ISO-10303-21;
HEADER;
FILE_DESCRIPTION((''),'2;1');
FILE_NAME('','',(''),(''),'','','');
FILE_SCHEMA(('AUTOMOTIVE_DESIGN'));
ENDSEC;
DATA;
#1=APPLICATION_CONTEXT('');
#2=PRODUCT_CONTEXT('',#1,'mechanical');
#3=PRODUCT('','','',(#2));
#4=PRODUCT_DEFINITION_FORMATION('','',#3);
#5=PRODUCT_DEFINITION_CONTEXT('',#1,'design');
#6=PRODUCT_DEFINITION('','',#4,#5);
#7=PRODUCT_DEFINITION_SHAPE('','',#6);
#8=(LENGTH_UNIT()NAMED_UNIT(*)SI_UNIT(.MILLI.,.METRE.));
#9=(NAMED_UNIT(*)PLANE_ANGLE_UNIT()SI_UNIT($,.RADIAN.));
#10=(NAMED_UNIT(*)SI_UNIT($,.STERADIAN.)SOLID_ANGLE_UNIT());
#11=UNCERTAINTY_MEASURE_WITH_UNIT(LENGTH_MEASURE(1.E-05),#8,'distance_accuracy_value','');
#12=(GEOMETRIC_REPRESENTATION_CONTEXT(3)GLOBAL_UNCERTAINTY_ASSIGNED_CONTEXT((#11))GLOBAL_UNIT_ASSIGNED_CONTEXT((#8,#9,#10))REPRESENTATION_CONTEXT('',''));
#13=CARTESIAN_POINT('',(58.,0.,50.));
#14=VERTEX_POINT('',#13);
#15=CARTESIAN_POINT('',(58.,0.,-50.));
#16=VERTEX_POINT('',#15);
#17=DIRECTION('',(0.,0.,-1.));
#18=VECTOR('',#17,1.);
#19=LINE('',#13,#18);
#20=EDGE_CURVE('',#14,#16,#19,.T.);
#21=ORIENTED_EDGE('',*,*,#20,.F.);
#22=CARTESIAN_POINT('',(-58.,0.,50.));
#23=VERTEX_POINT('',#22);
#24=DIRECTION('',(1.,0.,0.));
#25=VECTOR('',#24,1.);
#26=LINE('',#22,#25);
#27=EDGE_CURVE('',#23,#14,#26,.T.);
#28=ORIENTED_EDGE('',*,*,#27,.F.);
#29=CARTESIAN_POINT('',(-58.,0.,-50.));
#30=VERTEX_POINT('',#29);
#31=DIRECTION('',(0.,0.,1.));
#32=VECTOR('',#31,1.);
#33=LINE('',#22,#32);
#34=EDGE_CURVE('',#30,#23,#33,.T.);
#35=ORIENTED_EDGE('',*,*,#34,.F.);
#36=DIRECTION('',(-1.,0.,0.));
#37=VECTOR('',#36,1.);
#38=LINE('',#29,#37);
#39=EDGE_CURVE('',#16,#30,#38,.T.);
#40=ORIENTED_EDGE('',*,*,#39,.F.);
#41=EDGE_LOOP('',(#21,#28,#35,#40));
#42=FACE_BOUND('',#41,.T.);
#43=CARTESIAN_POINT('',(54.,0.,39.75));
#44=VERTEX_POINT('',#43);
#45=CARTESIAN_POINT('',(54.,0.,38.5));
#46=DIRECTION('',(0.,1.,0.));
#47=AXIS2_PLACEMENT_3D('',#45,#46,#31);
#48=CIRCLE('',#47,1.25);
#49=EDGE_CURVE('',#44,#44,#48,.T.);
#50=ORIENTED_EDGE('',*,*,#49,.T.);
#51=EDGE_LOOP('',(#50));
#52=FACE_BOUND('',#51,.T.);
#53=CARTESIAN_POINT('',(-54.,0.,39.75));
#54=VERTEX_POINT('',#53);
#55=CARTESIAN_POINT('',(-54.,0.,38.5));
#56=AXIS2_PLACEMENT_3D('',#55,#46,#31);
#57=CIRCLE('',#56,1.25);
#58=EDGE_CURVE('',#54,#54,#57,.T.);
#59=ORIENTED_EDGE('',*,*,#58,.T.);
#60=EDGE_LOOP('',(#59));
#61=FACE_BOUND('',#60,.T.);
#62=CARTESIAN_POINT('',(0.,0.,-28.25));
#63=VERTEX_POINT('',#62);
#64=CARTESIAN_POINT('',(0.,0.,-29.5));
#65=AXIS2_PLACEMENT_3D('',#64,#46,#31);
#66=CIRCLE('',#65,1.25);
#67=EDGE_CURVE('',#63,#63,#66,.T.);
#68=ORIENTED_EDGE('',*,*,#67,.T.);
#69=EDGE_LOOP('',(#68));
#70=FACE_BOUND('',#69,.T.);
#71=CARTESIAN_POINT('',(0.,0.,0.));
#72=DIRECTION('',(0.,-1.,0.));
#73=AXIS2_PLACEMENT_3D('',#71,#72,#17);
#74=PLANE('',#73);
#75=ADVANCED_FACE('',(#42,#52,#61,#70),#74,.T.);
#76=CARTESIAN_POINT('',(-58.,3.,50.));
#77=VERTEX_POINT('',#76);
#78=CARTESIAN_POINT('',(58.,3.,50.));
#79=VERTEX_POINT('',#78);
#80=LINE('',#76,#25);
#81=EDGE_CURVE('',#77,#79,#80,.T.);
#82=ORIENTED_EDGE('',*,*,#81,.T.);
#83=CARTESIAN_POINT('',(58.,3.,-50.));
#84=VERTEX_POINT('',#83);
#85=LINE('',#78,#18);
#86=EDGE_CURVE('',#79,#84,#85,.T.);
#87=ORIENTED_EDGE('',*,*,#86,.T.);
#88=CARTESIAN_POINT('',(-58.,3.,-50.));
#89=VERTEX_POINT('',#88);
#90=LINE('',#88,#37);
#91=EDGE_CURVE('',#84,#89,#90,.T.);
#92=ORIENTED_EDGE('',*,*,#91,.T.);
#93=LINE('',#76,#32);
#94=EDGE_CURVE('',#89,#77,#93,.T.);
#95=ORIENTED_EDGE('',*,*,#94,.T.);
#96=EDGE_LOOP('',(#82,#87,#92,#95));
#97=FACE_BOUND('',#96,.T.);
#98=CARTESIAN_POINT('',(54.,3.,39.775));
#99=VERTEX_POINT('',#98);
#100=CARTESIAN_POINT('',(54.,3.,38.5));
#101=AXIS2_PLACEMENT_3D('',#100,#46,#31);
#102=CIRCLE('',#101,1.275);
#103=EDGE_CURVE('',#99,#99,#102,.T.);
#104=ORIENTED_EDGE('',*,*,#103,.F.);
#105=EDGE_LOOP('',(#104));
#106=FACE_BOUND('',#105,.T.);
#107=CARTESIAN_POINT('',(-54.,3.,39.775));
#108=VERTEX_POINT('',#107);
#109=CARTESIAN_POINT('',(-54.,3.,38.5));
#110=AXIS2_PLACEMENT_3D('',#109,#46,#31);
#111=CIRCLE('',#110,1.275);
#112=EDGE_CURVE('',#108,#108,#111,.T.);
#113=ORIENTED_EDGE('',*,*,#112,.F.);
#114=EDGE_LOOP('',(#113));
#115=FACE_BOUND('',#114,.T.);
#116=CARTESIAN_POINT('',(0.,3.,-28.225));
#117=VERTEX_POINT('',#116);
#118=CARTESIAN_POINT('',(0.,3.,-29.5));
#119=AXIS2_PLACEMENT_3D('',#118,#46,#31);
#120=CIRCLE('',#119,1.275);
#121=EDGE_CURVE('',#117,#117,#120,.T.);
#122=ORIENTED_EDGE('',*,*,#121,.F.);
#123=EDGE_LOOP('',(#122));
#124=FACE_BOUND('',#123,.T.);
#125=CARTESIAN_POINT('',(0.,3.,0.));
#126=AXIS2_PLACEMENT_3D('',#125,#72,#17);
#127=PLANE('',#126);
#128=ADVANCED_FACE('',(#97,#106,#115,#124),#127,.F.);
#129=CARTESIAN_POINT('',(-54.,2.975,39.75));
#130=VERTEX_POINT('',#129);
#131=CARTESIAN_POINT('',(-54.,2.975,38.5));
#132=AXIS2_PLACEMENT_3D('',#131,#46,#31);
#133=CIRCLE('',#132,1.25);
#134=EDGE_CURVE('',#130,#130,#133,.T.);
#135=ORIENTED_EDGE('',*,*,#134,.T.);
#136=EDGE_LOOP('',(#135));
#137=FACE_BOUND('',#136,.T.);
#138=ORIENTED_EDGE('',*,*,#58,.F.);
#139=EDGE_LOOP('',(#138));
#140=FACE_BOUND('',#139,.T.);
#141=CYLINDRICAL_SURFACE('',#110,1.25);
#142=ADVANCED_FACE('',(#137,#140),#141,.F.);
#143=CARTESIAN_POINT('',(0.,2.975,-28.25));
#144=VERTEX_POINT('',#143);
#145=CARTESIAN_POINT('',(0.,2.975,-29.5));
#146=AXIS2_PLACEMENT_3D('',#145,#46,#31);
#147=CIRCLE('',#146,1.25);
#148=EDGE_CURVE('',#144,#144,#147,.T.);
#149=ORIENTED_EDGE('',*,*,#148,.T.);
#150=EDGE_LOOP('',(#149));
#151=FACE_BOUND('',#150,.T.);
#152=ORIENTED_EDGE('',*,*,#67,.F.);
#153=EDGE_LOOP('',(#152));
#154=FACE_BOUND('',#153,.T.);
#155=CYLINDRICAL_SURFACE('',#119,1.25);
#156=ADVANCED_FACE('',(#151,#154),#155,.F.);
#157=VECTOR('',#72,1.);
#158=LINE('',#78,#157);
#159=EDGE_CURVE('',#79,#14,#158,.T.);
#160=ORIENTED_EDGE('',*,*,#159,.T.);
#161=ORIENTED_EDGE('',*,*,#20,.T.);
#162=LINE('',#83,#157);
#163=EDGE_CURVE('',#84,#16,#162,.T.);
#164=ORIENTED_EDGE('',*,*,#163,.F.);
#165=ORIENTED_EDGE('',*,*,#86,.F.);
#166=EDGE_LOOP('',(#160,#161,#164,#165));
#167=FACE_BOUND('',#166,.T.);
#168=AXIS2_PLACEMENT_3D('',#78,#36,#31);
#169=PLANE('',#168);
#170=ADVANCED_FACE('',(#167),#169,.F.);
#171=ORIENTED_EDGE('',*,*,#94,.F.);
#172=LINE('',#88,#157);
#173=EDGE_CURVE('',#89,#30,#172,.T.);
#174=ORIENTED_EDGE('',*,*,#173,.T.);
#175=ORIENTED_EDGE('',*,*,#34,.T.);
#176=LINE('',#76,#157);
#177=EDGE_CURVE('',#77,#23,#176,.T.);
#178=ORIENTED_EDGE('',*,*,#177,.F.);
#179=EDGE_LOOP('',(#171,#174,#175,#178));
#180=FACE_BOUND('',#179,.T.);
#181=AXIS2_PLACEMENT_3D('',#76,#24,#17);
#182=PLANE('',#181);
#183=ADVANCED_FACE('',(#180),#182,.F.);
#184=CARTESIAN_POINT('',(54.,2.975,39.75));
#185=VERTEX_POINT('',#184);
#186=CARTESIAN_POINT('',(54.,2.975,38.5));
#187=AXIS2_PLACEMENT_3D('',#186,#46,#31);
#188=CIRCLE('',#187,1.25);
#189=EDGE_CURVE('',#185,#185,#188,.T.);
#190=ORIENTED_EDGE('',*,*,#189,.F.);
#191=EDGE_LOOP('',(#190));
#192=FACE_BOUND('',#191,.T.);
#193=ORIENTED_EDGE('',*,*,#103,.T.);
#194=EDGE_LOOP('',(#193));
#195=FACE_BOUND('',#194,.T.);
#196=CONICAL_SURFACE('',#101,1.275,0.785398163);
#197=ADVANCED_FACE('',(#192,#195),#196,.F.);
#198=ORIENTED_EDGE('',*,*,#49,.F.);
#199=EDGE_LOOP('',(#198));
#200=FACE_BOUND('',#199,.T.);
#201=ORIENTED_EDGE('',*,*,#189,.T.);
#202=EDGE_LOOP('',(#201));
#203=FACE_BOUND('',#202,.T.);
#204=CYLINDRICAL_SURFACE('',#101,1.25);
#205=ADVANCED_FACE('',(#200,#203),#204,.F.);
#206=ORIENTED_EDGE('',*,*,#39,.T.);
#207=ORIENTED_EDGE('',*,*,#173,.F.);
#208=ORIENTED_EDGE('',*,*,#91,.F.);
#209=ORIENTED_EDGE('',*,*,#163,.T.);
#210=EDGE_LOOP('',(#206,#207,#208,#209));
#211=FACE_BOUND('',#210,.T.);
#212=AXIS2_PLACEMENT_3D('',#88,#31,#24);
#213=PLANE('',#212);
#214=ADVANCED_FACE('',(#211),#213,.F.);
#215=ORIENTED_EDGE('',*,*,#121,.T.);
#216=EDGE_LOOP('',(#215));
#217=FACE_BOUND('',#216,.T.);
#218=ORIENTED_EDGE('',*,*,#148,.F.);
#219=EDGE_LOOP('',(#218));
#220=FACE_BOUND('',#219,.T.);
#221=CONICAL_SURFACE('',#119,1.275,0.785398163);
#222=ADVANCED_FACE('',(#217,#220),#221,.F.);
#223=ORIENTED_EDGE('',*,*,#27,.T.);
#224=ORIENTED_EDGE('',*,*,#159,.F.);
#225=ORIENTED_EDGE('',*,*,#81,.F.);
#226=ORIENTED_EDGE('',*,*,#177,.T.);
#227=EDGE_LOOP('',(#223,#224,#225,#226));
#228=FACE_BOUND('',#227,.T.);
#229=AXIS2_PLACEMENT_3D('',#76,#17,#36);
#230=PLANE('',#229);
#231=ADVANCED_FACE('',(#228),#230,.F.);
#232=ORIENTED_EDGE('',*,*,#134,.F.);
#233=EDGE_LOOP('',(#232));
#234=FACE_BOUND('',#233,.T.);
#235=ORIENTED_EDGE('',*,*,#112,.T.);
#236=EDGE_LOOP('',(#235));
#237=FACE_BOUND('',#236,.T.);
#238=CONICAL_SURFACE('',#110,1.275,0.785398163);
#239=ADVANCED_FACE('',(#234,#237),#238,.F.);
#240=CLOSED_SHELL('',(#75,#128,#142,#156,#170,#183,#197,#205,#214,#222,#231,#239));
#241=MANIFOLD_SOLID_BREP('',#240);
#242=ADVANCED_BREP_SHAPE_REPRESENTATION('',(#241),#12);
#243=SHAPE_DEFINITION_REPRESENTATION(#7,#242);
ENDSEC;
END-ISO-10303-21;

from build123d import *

# Parameters (mm, degrees)
SKETCH1_W                         = 116
SKETCH1_H                         = 100
BOSS_EXTRUDE1_DEPTH               = 3
TAP_DRILL_FOR_M3_TAP1_D           = 2.5
TAP_DRILL_FOR_M3_TAP1_CSINK_D     = 2.55
TAP_DRILL_FOR_M3_TAP1_CSINK_ANGLE = 90


with BuildPart() as part:
    # Sketch1 → Boss-Extrude1 (new body)
    with BuildSketch(Plane(origin=(0, 0, 0), x_dir=(1, 0, 0), z_dir=(0, 1, 0))):
        Rectangle(SKETCH1_W, SKETCH1_H)
    extrude(amount=BOSS_EXTRUDE1_DEPTH)

    # Tap Drill for M3 Tap1 (through all)
    with Locations(Plane(origin=(0, 3, 0), x_dir=(1, 0, 0), z_dir=(0, 1, 0))):
        with Locations((0, 29.5), (-54, -38.5), (54, -38.5)):
            CounterSinkHole(TAP_DRILL_FOR_M3_TAP1_D / 2, TAP_DRILL_FOR_M3_TAP1_CSINK_D / 2, counter_sink_angle=TAP_DRILL_FOR_M3_TAP1_CSINK_ANGLE)


solid = part.part
